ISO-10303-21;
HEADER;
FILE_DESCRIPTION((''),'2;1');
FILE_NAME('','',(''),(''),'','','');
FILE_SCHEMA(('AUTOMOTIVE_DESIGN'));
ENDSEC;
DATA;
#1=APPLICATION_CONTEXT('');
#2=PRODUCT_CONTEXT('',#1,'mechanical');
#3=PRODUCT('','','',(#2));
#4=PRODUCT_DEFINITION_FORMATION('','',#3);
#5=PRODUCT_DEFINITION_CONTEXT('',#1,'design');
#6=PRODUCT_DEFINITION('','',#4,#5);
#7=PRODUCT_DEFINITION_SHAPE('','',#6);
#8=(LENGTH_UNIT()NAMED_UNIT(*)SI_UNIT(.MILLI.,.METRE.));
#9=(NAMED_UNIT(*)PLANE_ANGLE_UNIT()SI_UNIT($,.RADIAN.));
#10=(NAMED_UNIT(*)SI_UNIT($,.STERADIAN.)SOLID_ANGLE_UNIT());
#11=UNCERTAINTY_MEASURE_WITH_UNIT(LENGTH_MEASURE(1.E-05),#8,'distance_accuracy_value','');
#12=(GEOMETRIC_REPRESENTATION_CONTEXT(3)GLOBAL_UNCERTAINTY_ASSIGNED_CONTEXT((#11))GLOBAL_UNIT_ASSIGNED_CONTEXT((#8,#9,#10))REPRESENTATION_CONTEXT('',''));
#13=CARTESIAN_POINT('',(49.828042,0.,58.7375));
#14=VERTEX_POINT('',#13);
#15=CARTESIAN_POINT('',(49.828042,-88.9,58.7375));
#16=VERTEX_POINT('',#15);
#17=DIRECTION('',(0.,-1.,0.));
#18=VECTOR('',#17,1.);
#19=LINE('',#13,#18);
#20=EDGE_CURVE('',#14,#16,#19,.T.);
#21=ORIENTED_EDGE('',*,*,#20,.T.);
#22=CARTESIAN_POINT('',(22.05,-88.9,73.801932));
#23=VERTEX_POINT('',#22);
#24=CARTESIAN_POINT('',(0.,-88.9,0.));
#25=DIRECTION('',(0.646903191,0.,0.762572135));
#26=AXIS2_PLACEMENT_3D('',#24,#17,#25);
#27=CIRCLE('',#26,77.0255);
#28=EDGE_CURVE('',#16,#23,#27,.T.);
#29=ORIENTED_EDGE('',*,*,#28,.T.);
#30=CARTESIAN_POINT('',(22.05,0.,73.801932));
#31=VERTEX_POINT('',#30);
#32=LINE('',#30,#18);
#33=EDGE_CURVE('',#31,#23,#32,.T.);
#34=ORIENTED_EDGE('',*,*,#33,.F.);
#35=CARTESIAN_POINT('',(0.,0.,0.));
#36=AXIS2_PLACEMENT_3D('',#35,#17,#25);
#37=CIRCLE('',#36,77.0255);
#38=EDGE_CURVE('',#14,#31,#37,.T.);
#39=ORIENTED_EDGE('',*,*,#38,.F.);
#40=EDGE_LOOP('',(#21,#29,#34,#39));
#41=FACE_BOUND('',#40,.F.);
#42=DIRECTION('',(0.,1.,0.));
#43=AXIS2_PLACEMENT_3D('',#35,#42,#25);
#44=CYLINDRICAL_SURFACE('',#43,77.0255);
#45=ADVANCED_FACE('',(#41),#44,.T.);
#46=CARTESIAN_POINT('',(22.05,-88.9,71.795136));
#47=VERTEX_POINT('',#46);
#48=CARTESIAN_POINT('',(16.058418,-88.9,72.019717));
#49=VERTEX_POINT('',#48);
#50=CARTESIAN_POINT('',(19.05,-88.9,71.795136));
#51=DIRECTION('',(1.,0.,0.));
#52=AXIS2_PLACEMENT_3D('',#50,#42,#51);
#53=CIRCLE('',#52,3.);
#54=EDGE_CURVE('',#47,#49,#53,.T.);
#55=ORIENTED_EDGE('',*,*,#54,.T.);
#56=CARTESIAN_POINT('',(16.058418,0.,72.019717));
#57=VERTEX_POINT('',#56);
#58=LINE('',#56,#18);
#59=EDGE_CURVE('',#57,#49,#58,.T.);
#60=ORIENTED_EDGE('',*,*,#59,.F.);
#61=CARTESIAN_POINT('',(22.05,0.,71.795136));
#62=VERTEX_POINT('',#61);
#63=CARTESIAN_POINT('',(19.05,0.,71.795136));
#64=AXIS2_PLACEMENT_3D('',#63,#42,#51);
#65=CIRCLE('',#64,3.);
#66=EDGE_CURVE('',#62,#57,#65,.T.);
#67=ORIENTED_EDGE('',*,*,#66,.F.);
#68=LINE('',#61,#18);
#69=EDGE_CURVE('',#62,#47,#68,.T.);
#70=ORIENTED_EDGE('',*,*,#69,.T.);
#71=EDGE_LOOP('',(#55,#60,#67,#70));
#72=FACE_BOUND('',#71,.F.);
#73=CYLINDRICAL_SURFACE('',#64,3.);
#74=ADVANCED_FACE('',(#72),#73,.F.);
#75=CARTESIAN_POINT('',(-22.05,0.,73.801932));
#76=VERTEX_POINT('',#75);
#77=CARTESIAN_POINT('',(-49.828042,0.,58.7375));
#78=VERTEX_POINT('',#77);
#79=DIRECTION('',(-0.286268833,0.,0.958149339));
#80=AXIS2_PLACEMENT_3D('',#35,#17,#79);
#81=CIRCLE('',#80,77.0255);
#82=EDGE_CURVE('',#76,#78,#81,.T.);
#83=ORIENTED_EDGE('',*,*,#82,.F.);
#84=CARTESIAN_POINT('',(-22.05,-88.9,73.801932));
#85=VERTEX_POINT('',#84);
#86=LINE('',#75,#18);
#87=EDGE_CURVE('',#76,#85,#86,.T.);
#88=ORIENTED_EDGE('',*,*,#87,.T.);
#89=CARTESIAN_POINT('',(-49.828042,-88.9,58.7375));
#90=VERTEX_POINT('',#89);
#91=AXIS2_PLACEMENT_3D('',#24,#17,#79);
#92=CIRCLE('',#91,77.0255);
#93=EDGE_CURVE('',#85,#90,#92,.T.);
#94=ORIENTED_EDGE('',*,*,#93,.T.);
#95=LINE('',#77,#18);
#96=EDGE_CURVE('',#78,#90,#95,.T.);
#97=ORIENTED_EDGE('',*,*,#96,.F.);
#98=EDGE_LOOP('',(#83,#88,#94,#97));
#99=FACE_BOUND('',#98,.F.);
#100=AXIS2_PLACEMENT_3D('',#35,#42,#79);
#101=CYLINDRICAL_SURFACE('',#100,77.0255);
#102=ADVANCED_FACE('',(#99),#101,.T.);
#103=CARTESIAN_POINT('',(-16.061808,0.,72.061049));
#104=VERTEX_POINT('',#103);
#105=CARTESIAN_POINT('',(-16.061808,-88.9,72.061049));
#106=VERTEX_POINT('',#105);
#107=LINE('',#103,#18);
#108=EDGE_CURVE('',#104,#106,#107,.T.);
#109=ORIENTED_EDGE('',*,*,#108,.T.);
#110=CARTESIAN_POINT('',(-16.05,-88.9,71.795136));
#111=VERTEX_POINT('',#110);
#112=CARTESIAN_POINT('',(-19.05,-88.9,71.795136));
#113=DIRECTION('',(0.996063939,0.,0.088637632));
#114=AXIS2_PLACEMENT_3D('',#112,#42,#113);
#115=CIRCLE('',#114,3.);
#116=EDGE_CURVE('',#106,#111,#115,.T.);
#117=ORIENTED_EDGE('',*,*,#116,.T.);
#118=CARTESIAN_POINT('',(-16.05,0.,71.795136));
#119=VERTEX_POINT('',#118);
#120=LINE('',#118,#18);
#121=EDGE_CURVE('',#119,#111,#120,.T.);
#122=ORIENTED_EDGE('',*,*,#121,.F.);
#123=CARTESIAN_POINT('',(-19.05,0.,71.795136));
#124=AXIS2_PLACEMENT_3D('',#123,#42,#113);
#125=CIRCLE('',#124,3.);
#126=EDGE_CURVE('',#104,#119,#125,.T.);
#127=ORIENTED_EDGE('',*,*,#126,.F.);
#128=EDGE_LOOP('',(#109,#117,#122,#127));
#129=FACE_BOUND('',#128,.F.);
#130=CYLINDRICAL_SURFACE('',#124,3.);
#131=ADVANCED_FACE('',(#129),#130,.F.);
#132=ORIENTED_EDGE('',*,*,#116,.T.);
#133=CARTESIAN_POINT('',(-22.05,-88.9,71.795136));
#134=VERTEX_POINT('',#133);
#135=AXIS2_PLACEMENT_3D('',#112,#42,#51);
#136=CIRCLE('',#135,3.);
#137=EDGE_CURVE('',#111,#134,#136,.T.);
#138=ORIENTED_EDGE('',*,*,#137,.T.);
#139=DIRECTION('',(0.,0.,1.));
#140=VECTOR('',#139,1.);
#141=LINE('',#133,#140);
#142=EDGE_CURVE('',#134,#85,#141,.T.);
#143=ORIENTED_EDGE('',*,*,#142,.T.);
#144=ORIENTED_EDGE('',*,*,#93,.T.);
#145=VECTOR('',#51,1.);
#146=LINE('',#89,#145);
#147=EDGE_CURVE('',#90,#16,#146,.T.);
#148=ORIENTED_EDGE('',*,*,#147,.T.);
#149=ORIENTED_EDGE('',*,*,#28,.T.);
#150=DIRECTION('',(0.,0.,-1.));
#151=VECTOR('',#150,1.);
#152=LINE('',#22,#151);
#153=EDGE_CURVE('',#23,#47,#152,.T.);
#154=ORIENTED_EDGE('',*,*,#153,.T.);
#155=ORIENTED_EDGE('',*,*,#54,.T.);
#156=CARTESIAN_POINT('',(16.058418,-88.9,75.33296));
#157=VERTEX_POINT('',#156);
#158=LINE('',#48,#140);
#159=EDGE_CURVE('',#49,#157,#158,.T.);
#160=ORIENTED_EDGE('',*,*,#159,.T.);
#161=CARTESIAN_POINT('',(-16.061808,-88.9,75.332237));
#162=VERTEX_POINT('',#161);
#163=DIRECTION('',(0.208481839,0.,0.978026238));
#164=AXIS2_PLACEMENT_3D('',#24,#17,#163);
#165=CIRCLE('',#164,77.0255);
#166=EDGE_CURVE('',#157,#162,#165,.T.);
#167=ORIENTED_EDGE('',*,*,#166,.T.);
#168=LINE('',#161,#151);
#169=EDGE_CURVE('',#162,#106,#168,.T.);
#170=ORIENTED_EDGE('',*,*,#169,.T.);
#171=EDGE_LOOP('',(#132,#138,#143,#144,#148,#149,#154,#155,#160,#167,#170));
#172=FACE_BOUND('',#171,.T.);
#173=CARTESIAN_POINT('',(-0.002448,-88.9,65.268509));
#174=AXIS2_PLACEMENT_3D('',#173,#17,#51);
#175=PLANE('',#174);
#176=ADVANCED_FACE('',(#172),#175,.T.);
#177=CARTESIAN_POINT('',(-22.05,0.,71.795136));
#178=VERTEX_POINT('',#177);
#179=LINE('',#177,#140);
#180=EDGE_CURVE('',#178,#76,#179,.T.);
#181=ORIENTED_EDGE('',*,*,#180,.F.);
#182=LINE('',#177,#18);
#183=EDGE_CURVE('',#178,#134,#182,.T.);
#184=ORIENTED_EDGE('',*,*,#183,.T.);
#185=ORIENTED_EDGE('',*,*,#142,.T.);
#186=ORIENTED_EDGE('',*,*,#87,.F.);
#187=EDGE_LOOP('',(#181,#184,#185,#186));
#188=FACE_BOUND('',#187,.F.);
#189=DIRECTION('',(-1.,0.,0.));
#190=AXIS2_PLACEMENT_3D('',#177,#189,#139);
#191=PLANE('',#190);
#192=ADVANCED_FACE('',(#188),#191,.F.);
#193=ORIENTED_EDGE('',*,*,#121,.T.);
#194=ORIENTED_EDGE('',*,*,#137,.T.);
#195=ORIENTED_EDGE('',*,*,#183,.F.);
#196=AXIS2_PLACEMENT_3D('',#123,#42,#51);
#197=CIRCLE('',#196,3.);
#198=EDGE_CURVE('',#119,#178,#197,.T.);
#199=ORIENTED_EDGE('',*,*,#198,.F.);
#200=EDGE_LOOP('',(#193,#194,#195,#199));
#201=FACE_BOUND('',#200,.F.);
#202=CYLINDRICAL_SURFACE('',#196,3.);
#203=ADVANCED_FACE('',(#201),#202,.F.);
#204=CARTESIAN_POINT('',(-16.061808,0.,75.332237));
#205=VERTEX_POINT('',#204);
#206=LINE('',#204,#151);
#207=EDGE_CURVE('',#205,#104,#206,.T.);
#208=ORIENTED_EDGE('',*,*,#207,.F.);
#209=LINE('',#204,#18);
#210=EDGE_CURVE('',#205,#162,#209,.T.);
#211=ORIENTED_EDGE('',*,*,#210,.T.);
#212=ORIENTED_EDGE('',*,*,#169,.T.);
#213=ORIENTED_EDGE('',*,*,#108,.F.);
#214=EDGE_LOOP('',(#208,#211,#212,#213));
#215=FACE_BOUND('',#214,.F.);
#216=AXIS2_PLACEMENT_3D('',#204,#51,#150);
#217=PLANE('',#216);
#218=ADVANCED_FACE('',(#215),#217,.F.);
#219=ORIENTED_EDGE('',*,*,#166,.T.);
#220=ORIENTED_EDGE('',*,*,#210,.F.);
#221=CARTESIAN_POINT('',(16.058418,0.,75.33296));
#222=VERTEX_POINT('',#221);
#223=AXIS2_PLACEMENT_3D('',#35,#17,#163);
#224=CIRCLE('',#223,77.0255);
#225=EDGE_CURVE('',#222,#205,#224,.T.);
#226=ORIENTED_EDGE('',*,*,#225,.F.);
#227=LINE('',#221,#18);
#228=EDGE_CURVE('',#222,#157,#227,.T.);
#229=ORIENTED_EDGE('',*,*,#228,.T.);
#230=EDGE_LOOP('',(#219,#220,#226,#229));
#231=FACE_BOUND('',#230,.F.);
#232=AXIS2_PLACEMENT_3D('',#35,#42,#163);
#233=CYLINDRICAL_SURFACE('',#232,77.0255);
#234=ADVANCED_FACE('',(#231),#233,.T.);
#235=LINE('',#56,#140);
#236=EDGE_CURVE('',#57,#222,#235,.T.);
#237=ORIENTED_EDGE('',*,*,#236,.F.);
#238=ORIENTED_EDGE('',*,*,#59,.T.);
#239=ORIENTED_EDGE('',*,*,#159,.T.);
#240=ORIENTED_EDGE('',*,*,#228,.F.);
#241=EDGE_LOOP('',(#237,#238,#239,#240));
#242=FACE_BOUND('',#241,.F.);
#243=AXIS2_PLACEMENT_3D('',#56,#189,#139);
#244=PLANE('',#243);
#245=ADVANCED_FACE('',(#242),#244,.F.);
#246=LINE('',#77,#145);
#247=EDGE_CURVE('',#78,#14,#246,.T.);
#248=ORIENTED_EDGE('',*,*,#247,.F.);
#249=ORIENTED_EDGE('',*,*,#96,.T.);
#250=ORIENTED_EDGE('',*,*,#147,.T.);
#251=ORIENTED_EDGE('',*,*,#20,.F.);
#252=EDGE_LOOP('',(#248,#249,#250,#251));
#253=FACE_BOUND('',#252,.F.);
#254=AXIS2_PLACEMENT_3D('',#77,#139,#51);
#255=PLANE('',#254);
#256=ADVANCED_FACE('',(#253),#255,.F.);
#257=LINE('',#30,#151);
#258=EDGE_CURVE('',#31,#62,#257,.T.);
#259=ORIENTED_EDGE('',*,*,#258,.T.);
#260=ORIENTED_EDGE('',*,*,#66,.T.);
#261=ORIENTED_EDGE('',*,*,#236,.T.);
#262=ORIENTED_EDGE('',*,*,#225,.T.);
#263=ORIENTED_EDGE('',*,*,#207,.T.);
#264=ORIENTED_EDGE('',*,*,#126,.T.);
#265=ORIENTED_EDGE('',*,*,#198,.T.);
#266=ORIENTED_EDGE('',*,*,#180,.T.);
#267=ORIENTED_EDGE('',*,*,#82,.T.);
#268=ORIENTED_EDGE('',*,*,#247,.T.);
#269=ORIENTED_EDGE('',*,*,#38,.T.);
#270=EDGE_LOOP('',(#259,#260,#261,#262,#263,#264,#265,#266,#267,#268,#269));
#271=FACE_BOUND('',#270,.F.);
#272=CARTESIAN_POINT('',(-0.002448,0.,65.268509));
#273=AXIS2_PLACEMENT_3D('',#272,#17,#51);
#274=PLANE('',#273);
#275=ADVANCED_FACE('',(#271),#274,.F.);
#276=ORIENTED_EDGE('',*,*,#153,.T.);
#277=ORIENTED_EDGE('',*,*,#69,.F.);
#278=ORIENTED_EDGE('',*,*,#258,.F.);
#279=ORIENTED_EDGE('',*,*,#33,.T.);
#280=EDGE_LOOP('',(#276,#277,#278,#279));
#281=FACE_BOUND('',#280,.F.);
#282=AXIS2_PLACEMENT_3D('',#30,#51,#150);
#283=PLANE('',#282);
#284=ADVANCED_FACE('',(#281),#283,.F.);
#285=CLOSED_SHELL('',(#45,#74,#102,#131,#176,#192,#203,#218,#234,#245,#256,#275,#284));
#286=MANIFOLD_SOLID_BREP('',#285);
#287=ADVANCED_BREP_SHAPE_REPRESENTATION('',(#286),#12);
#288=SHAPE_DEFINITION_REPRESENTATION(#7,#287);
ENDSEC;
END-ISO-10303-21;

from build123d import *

# Parameters (mm, degrees)
F1_DEPTH = 88.9


with BuildPart() as f1:
    # F0 (on Front) → F1 (new body)
    with BuildSketch(Plane.XZ):
        with BuildLine():
            Line((-49.8280417436, 58.7375), (49.8280417436, 58.7375))
            ThreePointArc((49.8280417436, 58.7375), (36.7198515553, 67.7095277786), (22.05, 73.801931887))
            Line((22.05, 73.801931887), (22.05, 71.7951364665))
            ThreePointArc((22.05, 71.7951364665), (18.9376310607, 68.7972416683), (16.0584178523, 72.0197166389))
            Line((16.0584178523, 72.0197166389), (16.0584178523, 75.3329600263))
            ThreePointArc((16.0584178523, 75.3329600263), (-0.00173326, 77.0254999805), (-16.0618081837, 75.3322372436))
            Line((-16.0618081837, 75.3322372436), (-16.0618081837, 72.0610493636))
            ThreePointArc((-16.0618081837, 72.0610493636), (-16.0529534998, 71.9282239397), (-16.05, 71.7951364665))
            ThreePointArc((-16.05, 71.7951364665), (-19.05, 68.7951364665), (-22.05, 71.7951364665))
            Line((-22.05, 71.7951364665), (-22.05, 73.801931887))
            ThreePointArc((-22.05, 73.801931887), (-36.7198515553, 67.7095277787), (-49.8280417436, 58.7375))
        make_face()
    extrude(amount=F1_DEPTH)


solid = f1.part
